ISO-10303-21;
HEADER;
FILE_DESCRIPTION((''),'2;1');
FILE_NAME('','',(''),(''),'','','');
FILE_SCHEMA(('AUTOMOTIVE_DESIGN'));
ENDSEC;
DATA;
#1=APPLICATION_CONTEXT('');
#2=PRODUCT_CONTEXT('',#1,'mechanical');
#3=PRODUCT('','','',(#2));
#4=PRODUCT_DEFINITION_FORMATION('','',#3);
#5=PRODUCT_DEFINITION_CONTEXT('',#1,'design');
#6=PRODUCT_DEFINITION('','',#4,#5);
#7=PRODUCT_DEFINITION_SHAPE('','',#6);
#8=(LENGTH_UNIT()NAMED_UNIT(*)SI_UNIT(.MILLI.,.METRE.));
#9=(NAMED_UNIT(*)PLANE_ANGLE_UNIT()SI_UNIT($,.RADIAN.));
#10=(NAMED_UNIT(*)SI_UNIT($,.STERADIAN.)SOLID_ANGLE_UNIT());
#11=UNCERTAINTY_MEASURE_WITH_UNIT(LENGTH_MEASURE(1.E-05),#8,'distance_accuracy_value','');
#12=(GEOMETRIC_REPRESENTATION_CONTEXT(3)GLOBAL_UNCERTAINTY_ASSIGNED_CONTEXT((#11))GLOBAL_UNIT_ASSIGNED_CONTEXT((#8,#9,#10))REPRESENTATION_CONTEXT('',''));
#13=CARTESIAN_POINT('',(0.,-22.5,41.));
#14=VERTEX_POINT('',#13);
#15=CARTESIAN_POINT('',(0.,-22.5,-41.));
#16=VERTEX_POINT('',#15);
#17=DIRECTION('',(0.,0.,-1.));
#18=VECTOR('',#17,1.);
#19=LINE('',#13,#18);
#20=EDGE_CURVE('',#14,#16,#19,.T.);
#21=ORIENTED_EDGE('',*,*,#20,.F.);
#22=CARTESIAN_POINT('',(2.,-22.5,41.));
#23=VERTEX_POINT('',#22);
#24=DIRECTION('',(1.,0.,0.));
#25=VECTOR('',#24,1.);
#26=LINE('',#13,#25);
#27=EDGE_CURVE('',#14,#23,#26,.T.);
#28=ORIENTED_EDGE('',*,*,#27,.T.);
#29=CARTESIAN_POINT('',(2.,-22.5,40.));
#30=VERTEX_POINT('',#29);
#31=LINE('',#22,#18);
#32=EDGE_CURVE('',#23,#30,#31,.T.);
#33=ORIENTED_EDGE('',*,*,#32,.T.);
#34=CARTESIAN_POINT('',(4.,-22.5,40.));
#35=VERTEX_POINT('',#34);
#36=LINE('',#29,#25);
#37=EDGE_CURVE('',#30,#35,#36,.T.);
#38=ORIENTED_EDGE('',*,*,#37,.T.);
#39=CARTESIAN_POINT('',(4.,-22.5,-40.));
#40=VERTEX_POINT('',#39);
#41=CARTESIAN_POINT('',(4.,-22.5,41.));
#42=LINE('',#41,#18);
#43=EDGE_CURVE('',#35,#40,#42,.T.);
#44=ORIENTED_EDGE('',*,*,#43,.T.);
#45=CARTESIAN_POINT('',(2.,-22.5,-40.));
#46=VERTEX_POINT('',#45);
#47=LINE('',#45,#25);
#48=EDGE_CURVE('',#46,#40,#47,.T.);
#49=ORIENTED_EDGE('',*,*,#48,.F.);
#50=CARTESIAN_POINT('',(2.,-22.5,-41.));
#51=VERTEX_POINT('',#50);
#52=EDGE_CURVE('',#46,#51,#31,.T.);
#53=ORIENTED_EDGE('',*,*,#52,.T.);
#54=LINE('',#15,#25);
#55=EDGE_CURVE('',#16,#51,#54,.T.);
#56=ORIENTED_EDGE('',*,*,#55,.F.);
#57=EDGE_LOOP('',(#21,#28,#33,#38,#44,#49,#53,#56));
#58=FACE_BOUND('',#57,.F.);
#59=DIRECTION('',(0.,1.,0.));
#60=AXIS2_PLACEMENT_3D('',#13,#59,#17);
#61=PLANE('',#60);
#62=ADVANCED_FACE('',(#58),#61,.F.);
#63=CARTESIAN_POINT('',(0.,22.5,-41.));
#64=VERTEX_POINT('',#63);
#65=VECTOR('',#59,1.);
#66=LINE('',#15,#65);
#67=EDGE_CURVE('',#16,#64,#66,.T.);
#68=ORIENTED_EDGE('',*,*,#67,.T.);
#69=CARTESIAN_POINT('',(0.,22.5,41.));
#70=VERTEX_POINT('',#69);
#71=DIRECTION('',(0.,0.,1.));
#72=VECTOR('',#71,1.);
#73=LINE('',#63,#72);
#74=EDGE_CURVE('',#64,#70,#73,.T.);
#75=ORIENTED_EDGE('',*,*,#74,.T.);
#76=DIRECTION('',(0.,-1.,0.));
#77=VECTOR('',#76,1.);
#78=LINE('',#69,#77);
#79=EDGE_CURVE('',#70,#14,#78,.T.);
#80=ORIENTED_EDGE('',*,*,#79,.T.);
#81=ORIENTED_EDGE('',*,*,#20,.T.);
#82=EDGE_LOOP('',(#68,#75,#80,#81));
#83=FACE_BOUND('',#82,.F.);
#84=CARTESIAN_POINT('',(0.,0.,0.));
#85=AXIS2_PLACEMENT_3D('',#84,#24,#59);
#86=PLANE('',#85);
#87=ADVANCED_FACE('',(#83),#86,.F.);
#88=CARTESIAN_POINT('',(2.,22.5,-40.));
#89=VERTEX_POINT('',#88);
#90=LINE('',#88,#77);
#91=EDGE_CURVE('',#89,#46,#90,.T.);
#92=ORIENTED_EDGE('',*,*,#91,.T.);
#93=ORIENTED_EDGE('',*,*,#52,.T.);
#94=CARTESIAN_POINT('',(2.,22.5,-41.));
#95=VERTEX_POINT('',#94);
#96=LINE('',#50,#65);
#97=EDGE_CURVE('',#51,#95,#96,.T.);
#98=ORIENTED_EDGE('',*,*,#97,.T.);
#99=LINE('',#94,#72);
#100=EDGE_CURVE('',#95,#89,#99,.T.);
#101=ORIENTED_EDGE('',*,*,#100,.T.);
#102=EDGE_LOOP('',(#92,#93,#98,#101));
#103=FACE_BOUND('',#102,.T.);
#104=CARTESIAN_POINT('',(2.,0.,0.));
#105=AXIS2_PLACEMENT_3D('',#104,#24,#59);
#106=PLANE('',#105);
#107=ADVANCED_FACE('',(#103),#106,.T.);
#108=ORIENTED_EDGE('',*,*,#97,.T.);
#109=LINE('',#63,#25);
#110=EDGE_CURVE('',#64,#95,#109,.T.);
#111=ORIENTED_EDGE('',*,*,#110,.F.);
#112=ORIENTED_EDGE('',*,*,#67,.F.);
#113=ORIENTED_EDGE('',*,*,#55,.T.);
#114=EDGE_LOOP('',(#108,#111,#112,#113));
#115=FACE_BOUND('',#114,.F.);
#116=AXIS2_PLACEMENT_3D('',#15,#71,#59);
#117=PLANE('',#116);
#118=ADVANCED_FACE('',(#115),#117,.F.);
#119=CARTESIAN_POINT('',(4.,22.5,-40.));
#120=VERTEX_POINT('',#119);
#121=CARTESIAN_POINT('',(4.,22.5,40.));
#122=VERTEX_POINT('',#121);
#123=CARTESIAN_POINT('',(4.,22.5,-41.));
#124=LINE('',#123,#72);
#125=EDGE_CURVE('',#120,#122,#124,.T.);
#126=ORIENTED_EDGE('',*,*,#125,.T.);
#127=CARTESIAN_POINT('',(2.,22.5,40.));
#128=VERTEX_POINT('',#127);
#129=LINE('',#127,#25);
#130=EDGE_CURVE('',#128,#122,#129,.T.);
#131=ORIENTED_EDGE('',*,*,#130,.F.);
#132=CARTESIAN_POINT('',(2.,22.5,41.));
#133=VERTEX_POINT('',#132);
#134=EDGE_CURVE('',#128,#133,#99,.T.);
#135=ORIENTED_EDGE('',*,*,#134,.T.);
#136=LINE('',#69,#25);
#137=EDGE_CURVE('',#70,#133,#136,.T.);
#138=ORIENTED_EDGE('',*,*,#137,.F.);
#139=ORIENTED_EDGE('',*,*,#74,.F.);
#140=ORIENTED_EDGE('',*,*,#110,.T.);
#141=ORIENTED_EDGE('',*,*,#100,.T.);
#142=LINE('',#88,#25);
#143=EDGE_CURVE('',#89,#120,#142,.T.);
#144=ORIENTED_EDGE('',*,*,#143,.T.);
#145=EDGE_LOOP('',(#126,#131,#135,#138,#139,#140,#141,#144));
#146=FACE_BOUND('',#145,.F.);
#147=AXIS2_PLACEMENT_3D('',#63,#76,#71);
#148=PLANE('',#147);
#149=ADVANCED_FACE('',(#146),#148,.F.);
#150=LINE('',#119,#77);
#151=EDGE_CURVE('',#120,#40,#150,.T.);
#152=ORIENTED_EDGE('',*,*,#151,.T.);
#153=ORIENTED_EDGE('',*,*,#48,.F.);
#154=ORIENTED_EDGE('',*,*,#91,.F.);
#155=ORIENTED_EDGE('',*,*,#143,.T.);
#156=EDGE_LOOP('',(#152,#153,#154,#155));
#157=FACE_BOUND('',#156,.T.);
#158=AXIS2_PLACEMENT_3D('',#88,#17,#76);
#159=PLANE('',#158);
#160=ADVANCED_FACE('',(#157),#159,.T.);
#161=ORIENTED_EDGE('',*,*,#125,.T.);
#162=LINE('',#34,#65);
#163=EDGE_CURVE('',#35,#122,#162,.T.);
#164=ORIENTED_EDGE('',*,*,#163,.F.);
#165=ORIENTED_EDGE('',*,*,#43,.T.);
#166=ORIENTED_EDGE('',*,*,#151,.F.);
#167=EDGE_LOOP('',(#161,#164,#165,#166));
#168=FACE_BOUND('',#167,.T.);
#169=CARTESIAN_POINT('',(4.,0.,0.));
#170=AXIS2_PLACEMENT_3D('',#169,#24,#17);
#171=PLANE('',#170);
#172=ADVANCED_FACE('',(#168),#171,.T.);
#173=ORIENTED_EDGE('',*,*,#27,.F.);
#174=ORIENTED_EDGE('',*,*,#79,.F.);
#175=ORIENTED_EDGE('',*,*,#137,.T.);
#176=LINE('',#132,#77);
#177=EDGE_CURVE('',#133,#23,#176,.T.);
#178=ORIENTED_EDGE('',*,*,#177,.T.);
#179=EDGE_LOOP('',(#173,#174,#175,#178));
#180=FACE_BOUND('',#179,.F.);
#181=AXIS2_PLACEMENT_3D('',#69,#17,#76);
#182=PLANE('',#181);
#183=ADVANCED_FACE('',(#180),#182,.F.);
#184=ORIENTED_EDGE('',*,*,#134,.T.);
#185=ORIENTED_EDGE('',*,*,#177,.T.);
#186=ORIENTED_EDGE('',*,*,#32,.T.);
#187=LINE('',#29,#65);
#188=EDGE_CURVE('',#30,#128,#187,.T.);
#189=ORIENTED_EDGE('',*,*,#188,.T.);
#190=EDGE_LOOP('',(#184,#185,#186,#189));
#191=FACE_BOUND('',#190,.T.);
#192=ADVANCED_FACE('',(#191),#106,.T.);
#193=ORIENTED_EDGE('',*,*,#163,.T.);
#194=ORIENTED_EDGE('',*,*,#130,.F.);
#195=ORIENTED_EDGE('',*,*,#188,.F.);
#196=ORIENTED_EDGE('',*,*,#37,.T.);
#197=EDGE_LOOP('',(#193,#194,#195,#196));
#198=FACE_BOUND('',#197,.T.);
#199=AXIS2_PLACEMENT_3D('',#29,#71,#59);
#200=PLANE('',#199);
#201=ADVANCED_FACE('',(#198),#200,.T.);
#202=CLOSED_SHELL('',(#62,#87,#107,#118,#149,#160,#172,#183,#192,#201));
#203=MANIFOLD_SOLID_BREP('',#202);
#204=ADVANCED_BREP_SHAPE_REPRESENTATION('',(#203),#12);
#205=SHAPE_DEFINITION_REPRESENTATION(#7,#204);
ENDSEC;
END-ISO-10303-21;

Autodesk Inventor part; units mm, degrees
ref_plane "YZ Plane" through (0, 0, 0) normal (1, 0, 0) x (0, 1, 0)
ref_plane "XZ Plane" through (0, 0, 0) normal (0, 1, 0) x (-1, 0, 0)
ref_plane "XY Plane" through (0, 0, 0) normal (0, 0, 1) x (1, 0, 0)
sketch "Sketch1" plane through (0, 0, 0) normal (1, 0, 0) x (0, 1, 0)
  line L0 (22.5, 41) -> (-22.5, 41)
  line L1 (-22.5, 41) -> (-22.5, -41)
  line L2 (-22.5, -41) -> (22.5, -41)
  line L3 (22.5, -41) -> (22.5, 41)
  point P0 (0, 0)
  dimension "d0" = 82
  dimension "d1" = 41
  dimension "d2" = 45
  dimension "d3" = 22.5
extrude "Extrusion1" add sketch "Sketch1" along normal blind 2
sketch "Sketch2" plane through (2, 0, 0) normal (1, 0, 0) x (0, 0, -1)
  line L0 (41, 22.5) -> (-41, 22.5) projected
  line L1 (-41, -22.5) -> (41, -22.5) projected
  line L2 (-40, 22.5) -> (40, 22.5)
  line L3 (40, 22.5) -> (40, -22.5)
  line L4 (40, -22.5) -> (-40, -22.5)
  line L5 (-40, -22.5) -> (-40, 22.5)
  line L6 (-41, 22.5) -> (-41, -22.5) projected
  line L7 (41, -22.5) -> (41, 22.5) projected
  point P0 (0, 0)
  point P1 (-40, -22.5)
  dimension "d6" = 1
  dimension "d7" = 1
extrude "Extrusion2" add sketch "Sketch2" along normal blind 2 contours L3 L1 L5 L0
equation "\"d1\" = 0.5 * d0"
equation "\"d3\" = 0.5 * d2"
properties part number "Lid"
